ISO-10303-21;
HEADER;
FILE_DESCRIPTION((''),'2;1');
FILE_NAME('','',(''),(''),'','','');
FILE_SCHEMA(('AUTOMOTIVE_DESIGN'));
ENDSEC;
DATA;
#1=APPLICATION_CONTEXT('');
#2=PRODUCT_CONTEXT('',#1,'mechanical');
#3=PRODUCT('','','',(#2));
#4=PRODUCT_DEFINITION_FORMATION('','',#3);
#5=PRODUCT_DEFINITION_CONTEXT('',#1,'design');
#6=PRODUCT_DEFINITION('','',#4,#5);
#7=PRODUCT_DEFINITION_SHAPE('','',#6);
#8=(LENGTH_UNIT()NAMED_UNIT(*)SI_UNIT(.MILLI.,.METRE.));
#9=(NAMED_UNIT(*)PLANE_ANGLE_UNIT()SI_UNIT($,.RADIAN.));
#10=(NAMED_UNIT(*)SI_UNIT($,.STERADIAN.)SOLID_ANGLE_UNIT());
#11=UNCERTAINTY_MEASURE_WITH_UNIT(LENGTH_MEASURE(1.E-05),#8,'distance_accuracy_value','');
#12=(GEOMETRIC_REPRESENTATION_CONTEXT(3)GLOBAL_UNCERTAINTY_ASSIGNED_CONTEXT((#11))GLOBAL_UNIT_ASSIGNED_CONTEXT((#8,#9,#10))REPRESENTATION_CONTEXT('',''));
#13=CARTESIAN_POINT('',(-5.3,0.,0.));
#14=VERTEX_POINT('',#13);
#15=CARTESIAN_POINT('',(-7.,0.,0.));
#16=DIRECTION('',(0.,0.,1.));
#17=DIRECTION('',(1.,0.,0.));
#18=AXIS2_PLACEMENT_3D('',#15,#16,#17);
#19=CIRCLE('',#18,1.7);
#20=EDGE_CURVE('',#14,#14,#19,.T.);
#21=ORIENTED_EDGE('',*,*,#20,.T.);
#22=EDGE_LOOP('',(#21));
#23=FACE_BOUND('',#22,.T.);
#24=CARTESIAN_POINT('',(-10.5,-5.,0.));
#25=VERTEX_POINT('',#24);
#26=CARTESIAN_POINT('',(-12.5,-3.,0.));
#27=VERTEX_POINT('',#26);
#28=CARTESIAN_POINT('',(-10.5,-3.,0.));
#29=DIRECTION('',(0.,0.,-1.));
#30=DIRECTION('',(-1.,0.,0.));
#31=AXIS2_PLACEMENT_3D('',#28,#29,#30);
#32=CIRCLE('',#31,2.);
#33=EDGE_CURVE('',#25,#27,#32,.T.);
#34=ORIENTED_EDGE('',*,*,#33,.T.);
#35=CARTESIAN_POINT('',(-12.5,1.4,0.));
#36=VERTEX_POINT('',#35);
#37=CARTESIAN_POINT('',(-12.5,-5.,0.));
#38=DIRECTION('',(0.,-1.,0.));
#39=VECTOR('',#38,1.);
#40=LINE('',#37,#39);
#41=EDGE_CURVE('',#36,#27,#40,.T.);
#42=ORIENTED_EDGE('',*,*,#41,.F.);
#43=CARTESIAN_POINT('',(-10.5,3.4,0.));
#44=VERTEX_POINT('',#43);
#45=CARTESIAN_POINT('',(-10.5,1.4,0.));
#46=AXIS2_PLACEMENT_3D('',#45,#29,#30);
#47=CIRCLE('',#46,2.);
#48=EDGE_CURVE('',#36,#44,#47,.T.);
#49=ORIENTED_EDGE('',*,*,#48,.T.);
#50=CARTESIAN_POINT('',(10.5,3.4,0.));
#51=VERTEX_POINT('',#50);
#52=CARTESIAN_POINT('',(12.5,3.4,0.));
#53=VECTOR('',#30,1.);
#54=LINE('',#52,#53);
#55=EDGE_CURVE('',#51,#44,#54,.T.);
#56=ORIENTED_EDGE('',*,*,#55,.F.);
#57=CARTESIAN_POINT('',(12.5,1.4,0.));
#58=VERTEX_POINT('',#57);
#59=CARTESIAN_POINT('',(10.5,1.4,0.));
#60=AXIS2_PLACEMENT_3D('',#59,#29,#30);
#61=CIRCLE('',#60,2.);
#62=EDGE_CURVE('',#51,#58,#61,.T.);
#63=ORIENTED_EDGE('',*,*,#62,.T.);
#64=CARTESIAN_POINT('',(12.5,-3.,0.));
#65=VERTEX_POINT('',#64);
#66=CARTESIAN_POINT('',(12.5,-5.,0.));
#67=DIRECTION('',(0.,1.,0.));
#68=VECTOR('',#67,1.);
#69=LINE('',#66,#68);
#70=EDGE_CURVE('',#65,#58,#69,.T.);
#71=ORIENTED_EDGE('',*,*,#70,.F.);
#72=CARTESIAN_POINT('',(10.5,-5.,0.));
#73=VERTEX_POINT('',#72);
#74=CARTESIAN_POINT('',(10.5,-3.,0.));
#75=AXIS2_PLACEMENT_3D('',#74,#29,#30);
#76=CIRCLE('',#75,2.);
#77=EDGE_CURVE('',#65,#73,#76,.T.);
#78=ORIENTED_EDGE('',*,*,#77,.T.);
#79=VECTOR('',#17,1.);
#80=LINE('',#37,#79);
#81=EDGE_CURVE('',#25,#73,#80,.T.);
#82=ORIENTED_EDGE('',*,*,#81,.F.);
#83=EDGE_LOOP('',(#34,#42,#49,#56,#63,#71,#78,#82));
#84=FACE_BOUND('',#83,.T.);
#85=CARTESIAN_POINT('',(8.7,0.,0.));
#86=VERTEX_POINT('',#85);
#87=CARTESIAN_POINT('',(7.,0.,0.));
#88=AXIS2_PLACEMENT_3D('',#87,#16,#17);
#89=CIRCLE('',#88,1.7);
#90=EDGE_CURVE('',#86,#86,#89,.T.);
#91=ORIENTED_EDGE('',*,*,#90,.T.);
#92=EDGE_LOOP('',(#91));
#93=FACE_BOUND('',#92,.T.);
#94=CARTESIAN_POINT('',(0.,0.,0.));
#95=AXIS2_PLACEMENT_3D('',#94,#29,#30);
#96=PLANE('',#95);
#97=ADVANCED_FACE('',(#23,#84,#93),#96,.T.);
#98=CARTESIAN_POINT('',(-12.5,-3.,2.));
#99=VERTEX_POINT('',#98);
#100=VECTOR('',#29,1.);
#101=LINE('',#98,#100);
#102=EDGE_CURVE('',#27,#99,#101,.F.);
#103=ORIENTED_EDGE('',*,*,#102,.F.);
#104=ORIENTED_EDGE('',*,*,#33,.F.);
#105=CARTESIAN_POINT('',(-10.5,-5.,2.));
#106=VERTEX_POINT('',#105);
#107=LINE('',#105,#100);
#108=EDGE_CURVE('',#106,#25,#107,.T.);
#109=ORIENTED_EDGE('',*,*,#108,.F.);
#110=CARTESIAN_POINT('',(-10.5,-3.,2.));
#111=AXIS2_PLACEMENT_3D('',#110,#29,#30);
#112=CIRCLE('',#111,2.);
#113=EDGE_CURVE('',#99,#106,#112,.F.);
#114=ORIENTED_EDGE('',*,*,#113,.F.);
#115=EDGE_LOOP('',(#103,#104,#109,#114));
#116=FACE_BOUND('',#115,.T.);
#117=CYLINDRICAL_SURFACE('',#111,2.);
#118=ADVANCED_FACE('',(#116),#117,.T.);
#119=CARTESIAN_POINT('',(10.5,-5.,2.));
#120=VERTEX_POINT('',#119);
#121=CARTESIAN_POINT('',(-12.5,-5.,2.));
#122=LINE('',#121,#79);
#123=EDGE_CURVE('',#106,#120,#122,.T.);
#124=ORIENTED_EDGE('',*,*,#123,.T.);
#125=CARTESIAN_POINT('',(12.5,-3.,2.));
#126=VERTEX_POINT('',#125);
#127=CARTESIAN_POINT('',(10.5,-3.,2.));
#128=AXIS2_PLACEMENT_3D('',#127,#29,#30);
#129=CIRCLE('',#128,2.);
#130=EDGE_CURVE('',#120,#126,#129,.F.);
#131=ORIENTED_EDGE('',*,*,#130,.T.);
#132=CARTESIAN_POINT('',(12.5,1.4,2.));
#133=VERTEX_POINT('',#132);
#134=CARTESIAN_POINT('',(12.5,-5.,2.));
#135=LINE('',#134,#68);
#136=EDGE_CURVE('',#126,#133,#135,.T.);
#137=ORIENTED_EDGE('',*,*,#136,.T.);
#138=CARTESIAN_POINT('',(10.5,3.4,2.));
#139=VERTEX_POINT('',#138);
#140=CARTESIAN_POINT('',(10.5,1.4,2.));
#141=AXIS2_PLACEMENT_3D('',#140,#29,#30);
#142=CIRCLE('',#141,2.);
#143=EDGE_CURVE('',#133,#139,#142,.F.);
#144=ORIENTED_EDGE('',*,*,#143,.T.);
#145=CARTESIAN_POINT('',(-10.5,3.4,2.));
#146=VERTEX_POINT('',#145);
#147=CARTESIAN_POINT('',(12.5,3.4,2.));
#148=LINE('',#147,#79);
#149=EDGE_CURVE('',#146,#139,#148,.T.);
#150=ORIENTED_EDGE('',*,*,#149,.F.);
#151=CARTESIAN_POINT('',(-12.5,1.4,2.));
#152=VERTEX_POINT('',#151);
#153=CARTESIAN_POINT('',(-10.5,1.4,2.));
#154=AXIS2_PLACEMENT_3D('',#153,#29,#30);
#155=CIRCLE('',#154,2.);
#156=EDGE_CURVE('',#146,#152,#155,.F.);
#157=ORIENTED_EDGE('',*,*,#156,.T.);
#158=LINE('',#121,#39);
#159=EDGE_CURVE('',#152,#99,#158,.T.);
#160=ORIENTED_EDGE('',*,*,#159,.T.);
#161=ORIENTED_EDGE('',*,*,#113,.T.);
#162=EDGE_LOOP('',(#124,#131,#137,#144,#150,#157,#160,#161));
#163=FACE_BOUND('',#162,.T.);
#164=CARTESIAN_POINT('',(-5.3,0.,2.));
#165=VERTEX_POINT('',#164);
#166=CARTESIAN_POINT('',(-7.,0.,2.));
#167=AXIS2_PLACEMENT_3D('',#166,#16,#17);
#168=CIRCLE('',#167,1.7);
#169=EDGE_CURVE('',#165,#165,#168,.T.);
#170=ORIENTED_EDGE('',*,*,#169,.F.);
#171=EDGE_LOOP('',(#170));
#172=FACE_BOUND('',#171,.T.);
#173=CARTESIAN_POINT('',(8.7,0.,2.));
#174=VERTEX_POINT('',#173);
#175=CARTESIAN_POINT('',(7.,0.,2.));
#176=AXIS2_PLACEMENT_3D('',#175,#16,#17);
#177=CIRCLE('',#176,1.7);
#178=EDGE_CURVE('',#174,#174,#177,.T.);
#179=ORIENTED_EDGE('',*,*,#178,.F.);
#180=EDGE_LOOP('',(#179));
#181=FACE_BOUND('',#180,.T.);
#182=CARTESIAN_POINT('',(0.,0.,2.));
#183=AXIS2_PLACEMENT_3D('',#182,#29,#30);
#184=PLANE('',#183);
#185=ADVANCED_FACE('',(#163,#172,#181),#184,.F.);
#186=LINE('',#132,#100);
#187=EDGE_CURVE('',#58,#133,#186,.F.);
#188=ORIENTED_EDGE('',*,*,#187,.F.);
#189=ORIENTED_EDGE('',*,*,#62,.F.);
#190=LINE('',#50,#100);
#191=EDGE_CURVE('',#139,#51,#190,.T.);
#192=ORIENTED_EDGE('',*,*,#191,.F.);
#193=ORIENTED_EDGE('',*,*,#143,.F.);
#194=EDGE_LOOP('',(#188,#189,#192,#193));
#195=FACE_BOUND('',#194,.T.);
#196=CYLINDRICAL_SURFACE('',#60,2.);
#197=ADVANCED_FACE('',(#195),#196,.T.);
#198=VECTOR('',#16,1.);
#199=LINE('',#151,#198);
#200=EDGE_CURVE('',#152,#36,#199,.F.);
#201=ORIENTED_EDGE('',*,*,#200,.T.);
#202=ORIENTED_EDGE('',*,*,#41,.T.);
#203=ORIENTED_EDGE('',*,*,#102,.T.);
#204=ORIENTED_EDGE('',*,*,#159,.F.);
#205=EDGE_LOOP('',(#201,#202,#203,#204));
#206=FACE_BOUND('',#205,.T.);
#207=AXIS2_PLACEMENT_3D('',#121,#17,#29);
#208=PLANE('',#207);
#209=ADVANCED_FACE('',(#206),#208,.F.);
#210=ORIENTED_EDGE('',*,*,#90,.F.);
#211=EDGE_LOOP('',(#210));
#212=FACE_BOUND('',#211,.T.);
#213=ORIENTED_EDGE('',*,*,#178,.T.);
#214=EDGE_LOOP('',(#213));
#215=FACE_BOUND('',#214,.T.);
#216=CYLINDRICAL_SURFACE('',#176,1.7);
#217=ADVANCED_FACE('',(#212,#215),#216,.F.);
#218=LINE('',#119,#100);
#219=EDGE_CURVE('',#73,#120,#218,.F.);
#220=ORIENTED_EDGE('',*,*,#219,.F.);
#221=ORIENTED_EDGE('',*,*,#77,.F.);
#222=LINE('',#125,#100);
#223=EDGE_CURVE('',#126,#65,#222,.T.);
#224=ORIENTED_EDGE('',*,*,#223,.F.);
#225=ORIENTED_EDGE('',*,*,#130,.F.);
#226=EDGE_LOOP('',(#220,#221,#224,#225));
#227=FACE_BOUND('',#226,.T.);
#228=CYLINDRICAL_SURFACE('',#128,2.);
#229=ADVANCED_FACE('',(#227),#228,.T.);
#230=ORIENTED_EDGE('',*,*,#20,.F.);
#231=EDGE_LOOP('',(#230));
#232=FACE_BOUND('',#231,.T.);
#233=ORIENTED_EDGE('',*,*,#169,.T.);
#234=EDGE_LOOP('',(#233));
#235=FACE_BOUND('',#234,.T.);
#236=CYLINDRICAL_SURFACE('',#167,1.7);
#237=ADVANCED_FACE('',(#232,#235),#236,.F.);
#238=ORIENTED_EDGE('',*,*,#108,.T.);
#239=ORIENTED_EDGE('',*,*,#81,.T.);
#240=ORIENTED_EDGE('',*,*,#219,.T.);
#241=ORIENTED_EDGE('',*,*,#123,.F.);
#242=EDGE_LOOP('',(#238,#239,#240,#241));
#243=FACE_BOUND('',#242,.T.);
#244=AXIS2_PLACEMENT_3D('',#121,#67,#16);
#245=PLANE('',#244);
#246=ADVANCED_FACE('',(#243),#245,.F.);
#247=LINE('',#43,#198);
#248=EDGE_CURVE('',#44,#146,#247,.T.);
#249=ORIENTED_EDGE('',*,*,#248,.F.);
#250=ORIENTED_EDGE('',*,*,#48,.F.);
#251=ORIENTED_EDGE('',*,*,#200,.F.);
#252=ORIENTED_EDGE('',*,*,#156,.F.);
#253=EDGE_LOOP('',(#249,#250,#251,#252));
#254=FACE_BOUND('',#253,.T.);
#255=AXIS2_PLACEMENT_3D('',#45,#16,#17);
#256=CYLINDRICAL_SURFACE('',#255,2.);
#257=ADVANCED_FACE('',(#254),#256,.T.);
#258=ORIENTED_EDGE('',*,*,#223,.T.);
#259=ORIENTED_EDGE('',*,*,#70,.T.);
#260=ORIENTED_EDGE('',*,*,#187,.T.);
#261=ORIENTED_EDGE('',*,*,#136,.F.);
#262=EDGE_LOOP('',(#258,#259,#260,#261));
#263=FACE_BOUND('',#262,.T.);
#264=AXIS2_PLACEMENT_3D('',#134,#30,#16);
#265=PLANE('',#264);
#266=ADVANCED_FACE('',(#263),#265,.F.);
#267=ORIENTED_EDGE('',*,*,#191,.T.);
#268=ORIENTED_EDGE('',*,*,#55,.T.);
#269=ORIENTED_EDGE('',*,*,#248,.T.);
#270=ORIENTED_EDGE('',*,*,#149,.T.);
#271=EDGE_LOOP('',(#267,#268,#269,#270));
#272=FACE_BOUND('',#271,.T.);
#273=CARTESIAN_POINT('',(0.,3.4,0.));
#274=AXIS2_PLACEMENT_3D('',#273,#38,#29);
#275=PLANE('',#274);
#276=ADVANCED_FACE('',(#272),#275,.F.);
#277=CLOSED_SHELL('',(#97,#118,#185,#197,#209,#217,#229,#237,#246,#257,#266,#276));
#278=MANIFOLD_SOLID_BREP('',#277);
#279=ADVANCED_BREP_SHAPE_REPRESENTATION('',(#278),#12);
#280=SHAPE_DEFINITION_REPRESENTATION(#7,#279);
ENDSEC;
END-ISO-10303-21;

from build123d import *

# Parameters (mm, degrees)
SKETCH1_W            = 25
SKETCH1_H            = 10
BOSS_EXTRUDE1_DEPTH  = 2
M3_CLEARANCE_HOLE1_D = 3.4
SKETCH5_W            = 25
SKETCH5_H            = 2
CUT_EXTRUDE1_DEPTH   = 1.6
FILLET1_R            = 2


with BuildPart() as part:
    # Sketch1 → Boss-Extrude1 (new body)
    with BuildSketch(Plane.XY):
        Rectangle(SKETCH1_W, SKETCH1_H)
    extrude(amount=BOSS_EXTRUDE1_DEPTH)

    # M3 Clearance Hole1 (through all)
    with Locations(Plane.XY.offset(2)):
        with Locations((-7, 0), (7, 0)):
            Hole(M3_CLEARANCE_HOLE1_D / 2)

    # Sketch5 → Cut-Extrude1 (cut)
    with BuildSketch(Plane(origin=(0, 5, 0), x_dir=(1, 0, 0), z_dir=(0, 1, 0))):
        with Locations((0, -1)):
            Rectangle(SKETCH5_W, SKETCH5_H)
    extrude(amount=-CUT_EXTRUDE1_DEPTH, mode=Mode.SUBTRACT)

    # Fillet1
    fillet1_edges = [part.edges().sort_by_distance(p)[0] for p in [
        (12.5, 3.4, 1),
        (-12.5, 3.4, 1),
        (12.5, -5, 1),
        (-12.5, -5, 1),
    ]]
    fillet(fillet1_edges, radius=FILLET1_R)


solid = part.part
